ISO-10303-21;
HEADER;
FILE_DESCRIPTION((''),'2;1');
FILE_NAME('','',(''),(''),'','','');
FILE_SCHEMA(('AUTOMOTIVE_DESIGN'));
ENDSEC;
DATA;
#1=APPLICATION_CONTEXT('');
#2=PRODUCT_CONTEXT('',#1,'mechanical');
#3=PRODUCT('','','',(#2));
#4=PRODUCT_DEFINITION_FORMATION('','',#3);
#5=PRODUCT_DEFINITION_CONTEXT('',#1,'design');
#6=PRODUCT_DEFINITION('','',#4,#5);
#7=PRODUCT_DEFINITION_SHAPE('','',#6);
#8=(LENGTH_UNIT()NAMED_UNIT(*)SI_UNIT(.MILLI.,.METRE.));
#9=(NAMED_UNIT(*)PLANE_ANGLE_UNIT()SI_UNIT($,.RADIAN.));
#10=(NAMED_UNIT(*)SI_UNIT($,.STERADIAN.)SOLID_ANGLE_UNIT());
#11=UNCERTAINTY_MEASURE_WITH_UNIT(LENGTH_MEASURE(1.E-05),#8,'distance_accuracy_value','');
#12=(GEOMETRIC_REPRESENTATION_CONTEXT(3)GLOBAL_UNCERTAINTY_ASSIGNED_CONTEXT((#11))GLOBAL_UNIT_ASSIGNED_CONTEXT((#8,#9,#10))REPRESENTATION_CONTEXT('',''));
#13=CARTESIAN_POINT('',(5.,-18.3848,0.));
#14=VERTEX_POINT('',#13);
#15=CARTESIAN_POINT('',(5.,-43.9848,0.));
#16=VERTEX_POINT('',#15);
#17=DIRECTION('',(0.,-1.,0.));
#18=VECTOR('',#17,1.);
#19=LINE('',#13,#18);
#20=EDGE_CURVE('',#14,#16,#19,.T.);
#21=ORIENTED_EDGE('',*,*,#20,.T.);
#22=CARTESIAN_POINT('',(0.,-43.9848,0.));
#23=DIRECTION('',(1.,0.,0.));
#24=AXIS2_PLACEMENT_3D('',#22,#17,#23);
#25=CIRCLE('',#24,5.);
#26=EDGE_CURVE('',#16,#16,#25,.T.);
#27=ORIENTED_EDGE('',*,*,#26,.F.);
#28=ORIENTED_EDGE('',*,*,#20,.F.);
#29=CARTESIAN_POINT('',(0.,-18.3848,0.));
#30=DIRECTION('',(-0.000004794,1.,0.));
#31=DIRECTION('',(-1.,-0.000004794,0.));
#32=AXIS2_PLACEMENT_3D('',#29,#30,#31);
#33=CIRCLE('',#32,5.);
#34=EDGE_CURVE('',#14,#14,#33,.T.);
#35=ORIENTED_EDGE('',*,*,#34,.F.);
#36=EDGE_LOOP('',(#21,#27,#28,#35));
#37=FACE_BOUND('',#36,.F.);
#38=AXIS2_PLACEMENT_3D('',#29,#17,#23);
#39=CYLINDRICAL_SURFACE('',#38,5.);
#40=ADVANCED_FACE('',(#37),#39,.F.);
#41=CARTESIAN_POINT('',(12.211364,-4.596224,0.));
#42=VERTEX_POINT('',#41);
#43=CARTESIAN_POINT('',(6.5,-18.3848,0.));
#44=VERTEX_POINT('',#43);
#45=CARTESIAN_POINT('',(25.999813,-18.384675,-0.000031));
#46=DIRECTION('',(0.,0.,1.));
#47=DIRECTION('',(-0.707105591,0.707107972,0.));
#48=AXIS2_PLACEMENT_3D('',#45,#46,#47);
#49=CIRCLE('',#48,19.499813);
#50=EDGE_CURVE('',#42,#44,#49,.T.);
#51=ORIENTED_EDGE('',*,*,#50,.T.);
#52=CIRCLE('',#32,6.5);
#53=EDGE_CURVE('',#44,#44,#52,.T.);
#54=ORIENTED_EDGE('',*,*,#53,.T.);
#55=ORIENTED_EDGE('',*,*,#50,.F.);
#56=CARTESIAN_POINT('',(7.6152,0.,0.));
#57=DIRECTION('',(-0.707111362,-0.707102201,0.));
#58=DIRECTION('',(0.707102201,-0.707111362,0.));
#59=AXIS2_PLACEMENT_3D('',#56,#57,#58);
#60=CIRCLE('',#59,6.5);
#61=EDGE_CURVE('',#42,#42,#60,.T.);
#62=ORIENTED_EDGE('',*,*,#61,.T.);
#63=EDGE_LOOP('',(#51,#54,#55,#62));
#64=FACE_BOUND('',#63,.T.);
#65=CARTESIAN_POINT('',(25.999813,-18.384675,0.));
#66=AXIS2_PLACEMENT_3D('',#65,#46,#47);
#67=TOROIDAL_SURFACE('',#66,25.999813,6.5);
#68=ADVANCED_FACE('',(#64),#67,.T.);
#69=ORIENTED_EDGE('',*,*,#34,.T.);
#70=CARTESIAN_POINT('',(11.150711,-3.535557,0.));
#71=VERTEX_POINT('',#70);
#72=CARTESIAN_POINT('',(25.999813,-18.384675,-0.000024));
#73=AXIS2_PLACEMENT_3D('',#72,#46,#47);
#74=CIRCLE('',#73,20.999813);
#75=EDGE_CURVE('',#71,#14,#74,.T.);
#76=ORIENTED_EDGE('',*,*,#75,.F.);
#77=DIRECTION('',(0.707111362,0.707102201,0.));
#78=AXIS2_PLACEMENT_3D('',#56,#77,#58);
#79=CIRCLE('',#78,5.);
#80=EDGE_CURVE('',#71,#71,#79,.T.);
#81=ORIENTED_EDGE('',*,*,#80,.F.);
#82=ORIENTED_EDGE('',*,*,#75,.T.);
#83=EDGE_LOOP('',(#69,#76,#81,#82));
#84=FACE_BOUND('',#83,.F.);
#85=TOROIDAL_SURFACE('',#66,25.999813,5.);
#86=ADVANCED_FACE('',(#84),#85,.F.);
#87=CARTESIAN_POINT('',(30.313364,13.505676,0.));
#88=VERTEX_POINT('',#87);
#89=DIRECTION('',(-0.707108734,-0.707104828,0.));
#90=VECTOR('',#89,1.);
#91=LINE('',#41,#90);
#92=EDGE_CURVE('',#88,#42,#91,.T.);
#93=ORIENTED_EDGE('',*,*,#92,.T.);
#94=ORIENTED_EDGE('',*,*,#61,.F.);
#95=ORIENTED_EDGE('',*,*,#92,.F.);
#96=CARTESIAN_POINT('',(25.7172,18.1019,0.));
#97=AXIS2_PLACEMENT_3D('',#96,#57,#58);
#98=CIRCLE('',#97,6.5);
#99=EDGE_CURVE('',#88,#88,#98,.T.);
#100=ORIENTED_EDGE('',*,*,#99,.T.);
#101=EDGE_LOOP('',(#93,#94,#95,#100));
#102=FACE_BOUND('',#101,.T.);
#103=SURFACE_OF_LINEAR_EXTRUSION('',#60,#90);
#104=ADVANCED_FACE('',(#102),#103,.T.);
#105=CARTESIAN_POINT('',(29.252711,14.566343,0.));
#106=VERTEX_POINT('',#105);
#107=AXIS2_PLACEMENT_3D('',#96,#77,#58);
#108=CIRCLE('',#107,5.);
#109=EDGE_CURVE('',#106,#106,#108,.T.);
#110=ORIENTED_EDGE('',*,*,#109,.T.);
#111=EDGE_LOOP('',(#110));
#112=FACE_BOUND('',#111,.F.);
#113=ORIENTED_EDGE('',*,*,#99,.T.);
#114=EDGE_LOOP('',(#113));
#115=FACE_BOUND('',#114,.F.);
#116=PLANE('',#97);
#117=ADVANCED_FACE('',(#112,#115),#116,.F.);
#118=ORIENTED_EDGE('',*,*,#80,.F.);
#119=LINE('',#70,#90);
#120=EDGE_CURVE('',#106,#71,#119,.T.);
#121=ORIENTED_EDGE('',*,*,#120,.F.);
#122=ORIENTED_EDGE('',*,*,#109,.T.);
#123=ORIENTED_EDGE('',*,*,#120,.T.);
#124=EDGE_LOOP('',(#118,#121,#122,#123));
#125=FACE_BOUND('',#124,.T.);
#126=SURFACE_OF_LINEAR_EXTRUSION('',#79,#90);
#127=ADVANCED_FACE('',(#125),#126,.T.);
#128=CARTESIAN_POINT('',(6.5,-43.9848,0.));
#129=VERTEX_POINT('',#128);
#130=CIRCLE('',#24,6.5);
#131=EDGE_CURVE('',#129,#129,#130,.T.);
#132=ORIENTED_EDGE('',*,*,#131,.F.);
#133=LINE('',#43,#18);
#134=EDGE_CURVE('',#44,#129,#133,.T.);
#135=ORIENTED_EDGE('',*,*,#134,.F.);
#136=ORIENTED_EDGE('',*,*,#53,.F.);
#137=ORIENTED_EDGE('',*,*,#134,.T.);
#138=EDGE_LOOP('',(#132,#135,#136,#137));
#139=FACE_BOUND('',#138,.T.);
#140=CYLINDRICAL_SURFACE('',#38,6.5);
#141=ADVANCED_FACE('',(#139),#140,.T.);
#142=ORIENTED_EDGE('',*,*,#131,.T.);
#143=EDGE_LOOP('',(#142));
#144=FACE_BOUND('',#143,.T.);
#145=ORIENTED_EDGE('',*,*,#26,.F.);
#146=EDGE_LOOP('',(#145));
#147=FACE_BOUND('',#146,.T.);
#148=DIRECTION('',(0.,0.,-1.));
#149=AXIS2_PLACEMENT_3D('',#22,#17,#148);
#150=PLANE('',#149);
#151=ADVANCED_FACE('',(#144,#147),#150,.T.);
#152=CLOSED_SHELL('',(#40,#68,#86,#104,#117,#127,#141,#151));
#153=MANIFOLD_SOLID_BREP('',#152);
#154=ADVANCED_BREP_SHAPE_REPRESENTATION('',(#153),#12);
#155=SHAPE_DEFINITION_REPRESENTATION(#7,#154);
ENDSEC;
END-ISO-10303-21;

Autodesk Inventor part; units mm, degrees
ref_plane "YZ Plane" through (0, 0, 0) normal (1, 0, 0) x (0, 1, 0)
ref_plane "XZ Plane" through (0, 0, 0) normal (0, 1, 0) x (-1, 0, 0)
sketch "Szkic6" plane through (0, 0, 0) normal (0, 0, 1) x (1, 0, 0)
  line L0 (-29.6067, 0) -> (35.2678, 0) construction
  line L1 (0, 42.3419) -> (0, -58.3726) construction
  arc A0 (7.6152, 0) -> (0, -18.3848) centre (26, -18.3848) ccw
  line L2 (0, -18.3848) -> (26, -18.3848) construction
  line L3 (26, -18.3848) -> (-20.3389, 27.9541) construction
  line L4 (7.6152, 0) -> (25.7172, 18.1019)
  line L5 (0, -18.3848) -> (0, -43.9848)
  point P0 (0, 0)
  dimension "d24" = 35
  dimension "d31" = 90
  dimension "d36" = 25
  dimension "d37" = 25
ref_plane "Płaszczyzna konstrukcyjna2" through (0, -18.3848, 0) normal (0, -1, 0) x (1, 0, 0)
sketch "Szkic8" plane through (0, -18.3848, 0) normal (0, -1, 0) x (1, 0, 0)
  circle A0 centre (0, 0) radius 6.5
  circle A1 centre (0, 0) radius 5
  dimension "d32" = 19
  dimension "d33" = 1.5
sweep "Przeciągnięcie2" add profiles "Szkic8" path "Szkic6"
equation "\"d32\" = OD"
equation "\"d33\" = THK"
equation "\"d24\" = R"
equation "\"d31\" = KAT"
equation "\"d36\" = PROSTKA"
equation "\"d37\" = PROSTKA"
equation "\"SzerokośćGięciaPodcięcia\" = Grubość"
equation "\"RozmiarPodcięciaNarożnika\" = 4 * Grubość"
equation "\"PromieńPrzejścia\" = PromieńGięcia"
equation "\"Rozmiar_promienia_Jacobiego\" = PromieńGięcia"
equation "\"Wielk_odstępu\" = Grubość"
equation "\"d2\" = PromieńGięcia"
equation "\"d23\" = PromieńGięcia"
equation "\"R\" = 35"
equation "\"OD\" = 19"
equation "\"THK\" = 1.5"
equation "\"KAT\" = 90deg"
equation "\"PROSTKA\" = 25"
equation "\"Grubość\" = 1.5"
equation "\"PromieńGięcia\" = 3"
properties part number "Kolano 90° ø19x1,5 R35" material "304L"
